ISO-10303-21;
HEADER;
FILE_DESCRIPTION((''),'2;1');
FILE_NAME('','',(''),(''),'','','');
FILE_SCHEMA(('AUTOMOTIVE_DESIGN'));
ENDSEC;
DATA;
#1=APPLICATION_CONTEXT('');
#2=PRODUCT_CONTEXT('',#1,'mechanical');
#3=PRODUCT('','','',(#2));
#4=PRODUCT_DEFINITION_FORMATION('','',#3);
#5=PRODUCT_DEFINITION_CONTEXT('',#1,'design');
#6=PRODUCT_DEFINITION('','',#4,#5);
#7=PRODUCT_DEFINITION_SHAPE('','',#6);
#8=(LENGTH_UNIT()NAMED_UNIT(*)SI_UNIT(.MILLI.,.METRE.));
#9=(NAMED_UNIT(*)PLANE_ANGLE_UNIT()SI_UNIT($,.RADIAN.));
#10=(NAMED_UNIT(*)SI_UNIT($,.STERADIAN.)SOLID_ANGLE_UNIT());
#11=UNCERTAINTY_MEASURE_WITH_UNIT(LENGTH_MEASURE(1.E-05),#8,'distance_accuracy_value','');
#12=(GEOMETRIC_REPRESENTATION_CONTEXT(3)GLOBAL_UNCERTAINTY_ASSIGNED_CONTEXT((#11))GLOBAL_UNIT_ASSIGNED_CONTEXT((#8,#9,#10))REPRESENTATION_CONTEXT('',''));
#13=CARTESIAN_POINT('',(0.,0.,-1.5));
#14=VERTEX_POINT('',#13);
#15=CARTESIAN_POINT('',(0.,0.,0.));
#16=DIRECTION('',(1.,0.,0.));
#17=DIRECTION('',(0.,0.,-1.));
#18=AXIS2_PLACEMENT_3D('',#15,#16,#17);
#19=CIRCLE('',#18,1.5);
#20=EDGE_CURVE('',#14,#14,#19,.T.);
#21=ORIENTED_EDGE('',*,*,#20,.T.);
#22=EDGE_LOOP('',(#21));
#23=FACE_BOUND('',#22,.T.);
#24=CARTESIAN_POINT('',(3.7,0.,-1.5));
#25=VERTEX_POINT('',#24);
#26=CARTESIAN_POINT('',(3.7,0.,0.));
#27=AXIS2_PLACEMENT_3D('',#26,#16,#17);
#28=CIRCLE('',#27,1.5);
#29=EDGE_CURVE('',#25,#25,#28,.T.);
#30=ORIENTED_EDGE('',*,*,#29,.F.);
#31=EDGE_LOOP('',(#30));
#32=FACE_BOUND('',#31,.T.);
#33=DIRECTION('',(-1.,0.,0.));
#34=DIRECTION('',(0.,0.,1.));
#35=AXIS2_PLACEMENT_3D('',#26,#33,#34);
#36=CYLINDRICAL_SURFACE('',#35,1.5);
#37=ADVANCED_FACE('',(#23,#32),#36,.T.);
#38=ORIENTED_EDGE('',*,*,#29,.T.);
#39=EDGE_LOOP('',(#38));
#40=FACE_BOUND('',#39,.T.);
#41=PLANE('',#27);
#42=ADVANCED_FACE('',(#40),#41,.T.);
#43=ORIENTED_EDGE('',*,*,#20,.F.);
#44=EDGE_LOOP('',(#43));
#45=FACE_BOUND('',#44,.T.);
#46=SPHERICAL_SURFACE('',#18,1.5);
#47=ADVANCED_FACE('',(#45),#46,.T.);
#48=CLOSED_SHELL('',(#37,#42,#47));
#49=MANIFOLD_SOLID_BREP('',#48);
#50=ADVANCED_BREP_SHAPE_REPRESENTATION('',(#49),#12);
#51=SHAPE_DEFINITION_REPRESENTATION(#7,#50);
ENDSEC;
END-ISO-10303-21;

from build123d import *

# Parameters (mm, degrees)
REVOLVE1_ANGLE      = 180
SKETCH2_R           = 1.5
BOSS_EXTRUDE1_DEPTH = 3.7


with BuildPart() as part:
    # Sketch1 → Revolve1 (revolve)
    with BuildSketch(Plane(origin=(0, 0, 0), x_dir=(0, 0, -1), z_dir=(1, 0, 0))):
        with BuildLine():
            Line((0, -1.5), (0, 1.5))
            ThreePointArc((0, 1.5), (1.5, 0), (0, -1.5))
        make_face()
    revolve(axis=Axis((0, -1.5, 0), (0, 1, 0)), revolution_arc=REVOLVE1_ANGLE)

    # Sketch2 → Boss-Extrude1 (add)
    with BuildSketch(Plane(origin=(0, 0, 0), x_dir=(0, 0, -1), z_dir=(1, 0, 0))):
        Circle(SKETCH2_R)
    extrude(amount=BOSS_EXTRUDE1_DEPTH)


solid = part.part
